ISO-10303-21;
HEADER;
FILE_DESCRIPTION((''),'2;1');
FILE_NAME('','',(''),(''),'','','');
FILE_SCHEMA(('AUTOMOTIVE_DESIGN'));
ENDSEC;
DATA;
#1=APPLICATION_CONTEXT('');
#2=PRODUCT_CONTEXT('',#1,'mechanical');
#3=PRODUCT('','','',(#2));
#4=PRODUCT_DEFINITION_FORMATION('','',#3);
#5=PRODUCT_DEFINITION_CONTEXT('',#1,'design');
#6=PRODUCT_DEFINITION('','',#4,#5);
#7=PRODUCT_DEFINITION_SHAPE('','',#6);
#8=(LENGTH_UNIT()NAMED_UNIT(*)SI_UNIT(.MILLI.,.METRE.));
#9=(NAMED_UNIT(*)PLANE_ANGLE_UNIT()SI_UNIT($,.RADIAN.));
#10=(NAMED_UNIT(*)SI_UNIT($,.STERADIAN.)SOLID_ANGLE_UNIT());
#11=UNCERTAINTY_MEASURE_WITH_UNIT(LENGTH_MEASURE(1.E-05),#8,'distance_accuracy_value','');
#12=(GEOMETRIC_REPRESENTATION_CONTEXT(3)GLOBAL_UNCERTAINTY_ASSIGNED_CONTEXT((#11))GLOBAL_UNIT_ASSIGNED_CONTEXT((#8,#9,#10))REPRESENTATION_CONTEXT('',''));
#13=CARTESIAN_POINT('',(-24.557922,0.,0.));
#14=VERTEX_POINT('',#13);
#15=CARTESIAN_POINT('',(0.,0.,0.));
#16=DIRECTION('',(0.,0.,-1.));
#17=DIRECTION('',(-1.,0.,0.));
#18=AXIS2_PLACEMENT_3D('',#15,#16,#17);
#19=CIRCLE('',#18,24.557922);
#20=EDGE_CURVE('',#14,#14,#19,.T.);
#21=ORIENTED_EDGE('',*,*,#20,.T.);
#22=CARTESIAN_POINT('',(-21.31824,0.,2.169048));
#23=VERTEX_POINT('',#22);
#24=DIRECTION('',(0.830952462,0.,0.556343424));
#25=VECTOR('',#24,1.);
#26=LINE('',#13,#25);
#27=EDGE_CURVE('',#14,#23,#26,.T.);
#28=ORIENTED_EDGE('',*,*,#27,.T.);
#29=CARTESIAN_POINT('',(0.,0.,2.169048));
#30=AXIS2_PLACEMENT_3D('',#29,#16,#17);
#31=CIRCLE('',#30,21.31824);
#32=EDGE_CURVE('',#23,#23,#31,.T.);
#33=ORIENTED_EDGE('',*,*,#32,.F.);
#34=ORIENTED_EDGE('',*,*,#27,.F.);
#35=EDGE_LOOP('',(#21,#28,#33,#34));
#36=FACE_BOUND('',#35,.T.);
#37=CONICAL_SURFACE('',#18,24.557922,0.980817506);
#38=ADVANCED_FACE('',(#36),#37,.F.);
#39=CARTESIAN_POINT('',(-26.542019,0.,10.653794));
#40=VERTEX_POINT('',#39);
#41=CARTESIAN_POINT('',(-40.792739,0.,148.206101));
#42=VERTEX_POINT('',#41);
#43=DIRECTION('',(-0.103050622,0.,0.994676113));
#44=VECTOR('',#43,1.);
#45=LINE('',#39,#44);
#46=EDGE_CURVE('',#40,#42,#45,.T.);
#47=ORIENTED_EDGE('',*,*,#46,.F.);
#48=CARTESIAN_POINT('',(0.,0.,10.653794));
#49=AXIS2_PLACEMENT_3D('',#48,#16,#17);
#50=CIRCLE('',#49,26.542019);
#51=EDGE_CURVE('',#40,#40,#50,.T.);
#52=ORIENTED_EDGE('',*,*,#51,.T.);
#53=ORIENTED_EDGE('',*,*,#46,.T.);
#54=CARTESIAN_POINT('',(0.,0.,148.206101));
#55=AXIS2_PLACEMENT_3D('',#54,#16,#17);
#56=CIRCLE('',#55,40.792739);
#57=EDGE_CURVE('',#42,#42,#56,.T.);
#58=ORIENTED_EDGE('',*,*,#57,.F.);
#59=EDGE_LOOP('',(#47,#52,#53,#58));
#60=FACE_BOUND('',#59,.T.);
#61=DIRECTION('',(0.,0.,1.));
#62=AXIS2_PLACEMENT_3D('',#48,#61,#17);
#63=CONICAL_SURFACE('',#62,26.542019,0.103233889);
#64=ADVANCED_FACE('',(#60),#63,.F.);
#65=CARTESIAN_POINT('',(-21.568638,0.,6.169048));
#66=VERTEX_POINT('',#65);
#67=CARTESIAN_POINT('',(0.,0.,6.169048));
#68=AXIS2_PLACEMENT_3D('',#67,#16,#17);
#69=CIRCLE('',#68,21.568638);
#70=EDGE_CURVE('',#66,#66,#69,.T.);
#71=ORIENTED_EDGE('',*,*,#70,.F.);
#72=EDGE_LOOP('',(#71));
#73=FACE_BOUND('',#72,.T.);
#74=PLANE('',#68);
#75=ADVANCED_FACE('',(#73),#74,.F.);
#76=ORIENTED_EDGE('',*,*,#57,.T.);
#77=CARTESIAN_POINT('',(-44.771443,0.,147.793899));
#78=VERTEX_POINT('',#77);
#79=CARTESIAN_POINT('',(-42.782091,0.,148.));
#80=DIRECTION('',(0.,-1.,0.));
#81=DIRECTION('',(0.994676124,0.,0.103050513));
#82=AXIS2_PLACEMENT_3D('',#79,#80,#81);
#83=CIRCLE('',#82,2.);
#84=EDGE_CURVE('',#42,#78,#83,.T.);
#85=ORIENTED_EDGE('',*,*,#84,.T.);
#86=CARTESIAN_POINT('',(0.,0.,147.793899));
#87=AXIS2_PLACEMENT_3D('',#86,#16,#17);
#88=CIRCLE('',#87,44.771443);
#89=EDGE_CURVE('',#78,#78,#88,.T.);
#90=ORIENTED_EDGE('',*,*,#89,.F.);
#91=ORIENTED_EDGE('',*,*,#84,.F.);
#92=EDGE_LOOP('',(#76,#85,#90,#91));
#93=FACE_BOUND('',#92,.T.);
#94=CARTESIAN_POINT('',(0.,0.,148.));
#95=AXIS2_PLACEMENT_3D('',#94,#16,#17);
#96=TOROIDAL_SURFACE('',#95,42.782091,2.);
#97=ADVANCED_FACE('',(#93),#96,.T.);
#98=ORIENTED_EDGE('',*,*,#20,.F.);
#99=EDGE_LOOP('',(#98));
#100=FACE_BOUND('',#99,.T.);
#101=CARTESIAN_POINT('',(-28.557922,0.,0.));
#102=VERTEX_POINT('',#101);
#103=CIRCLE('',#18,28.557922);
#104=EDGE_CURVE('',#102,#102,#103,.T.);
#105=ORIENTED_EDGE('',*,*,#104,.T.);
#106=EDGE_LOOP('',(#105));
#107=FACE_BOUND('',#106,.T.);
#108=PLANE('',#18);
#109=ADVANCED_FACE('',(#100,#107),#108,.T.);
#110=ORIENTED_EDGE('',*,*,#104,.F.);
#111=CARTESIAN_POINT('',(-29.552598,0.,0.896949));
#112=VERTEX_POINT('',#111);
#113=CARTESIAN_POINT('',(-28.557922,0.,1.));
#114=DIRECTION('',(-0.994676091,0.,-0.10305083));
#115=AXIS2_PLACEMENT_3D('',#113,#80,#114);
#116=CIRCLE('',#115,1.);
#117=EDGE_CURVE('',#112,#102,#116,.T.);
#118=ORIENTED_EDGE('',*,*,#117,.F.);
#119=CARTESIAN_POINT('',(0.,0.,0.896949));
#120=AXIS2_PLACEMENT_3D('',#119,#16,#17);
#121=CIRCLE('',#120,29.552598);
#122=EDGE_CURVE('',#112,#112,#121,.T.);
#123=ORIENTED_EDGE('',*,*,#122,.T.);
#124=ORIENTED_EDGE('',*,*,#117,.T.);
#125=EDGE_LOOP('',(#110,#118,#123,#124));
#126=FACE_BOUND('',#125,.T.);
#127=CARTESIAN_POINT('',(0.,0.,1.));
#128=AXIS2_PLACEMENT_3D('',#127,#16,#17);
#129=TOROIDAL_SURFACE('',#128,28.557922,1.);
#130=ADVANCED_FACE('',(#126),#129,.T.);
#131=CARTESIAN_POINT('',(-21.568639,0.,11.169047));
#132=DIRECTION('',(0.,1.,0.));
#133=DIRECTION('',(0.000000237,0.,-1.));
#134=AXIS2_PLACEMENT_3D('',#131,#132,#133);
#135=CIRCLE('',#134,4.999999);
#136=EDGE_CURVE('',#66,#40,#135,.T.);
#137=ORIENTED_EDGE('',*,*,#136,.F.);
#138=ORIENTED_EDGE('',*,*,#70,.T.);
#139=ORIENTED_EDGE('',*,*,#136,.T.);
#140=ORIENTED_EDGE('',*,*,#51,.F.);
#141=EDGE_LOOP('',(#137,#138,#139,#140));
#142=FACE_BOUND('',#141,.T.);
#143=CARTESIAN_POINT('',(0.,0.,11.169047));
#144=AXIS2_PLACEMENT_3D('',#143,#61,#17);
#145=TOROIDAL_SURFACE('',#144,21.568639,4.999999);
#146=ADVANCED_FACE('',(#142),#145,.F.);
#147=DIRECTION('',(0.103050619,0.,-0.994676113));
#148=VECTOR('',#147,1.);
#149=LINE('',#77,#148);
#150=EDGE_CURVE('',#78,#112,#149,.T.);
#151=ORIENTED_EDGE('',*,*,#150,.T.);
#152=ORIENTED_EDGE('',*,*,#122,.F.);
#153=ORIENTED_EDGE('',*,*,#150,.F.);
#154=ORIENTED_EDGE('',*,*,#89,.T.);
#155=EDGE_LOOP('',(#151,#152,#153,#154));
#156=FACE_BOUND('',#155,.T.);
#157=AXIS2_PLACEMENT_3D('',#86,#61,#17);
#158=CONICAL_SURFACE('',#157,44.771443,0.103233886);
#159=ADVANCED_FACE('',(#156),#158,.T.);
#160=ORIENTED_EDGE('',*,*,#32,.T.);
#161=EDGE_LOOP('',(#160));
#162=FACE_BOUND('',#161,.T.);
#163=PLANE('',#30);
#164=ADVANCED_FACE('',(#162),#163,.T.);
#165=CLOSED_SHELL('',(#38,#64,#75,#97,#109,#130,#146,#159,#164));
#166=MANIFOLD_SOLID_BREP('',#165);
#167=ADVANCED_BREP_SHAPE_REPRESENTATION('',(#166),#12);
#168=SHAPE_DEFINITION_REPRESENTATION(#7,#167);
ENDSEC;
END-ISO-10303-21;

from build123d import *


with BuildPart() as f1:
    # F0 (on Front) → F1 (revolve)
    with BuildSketch(Plane.XZ):
        with BuildLine():
            Line((0, 2.169048), (0, 6.169048))
            Line((0, 6.169048), (-21.568638, 6.169048))
            ThreePointArc((-21.568638, 6.169048), (-24.917051, 7.45581), (-26.542019, 10.653794))
            Line((-26.542019, 10.653794), (-40.792739, 148.206101))
            ThreePointArc((-40.792739, 148.206101), (-42.988192, 149.989352), (-44.771443, 147.793899))
            Line((-44.771443, 147.793899), (-29.552598, 0.896949))
            ThreePointArc((-29.552598, 0.896949), (-29.227604, 0.257352), (-28.557922, 0))
            Line((-28.557922, 0), (-24.557922, 0))
            Line((-24.557922, 0), (-21.31824, 2.169048))
            Line((-21.31824, 2.169048), (0, 2.169048))
        make_face()
    revolve(axis=Axis((0, 0, 4.169048), (0, 0, -1)))


solid = f1.part
